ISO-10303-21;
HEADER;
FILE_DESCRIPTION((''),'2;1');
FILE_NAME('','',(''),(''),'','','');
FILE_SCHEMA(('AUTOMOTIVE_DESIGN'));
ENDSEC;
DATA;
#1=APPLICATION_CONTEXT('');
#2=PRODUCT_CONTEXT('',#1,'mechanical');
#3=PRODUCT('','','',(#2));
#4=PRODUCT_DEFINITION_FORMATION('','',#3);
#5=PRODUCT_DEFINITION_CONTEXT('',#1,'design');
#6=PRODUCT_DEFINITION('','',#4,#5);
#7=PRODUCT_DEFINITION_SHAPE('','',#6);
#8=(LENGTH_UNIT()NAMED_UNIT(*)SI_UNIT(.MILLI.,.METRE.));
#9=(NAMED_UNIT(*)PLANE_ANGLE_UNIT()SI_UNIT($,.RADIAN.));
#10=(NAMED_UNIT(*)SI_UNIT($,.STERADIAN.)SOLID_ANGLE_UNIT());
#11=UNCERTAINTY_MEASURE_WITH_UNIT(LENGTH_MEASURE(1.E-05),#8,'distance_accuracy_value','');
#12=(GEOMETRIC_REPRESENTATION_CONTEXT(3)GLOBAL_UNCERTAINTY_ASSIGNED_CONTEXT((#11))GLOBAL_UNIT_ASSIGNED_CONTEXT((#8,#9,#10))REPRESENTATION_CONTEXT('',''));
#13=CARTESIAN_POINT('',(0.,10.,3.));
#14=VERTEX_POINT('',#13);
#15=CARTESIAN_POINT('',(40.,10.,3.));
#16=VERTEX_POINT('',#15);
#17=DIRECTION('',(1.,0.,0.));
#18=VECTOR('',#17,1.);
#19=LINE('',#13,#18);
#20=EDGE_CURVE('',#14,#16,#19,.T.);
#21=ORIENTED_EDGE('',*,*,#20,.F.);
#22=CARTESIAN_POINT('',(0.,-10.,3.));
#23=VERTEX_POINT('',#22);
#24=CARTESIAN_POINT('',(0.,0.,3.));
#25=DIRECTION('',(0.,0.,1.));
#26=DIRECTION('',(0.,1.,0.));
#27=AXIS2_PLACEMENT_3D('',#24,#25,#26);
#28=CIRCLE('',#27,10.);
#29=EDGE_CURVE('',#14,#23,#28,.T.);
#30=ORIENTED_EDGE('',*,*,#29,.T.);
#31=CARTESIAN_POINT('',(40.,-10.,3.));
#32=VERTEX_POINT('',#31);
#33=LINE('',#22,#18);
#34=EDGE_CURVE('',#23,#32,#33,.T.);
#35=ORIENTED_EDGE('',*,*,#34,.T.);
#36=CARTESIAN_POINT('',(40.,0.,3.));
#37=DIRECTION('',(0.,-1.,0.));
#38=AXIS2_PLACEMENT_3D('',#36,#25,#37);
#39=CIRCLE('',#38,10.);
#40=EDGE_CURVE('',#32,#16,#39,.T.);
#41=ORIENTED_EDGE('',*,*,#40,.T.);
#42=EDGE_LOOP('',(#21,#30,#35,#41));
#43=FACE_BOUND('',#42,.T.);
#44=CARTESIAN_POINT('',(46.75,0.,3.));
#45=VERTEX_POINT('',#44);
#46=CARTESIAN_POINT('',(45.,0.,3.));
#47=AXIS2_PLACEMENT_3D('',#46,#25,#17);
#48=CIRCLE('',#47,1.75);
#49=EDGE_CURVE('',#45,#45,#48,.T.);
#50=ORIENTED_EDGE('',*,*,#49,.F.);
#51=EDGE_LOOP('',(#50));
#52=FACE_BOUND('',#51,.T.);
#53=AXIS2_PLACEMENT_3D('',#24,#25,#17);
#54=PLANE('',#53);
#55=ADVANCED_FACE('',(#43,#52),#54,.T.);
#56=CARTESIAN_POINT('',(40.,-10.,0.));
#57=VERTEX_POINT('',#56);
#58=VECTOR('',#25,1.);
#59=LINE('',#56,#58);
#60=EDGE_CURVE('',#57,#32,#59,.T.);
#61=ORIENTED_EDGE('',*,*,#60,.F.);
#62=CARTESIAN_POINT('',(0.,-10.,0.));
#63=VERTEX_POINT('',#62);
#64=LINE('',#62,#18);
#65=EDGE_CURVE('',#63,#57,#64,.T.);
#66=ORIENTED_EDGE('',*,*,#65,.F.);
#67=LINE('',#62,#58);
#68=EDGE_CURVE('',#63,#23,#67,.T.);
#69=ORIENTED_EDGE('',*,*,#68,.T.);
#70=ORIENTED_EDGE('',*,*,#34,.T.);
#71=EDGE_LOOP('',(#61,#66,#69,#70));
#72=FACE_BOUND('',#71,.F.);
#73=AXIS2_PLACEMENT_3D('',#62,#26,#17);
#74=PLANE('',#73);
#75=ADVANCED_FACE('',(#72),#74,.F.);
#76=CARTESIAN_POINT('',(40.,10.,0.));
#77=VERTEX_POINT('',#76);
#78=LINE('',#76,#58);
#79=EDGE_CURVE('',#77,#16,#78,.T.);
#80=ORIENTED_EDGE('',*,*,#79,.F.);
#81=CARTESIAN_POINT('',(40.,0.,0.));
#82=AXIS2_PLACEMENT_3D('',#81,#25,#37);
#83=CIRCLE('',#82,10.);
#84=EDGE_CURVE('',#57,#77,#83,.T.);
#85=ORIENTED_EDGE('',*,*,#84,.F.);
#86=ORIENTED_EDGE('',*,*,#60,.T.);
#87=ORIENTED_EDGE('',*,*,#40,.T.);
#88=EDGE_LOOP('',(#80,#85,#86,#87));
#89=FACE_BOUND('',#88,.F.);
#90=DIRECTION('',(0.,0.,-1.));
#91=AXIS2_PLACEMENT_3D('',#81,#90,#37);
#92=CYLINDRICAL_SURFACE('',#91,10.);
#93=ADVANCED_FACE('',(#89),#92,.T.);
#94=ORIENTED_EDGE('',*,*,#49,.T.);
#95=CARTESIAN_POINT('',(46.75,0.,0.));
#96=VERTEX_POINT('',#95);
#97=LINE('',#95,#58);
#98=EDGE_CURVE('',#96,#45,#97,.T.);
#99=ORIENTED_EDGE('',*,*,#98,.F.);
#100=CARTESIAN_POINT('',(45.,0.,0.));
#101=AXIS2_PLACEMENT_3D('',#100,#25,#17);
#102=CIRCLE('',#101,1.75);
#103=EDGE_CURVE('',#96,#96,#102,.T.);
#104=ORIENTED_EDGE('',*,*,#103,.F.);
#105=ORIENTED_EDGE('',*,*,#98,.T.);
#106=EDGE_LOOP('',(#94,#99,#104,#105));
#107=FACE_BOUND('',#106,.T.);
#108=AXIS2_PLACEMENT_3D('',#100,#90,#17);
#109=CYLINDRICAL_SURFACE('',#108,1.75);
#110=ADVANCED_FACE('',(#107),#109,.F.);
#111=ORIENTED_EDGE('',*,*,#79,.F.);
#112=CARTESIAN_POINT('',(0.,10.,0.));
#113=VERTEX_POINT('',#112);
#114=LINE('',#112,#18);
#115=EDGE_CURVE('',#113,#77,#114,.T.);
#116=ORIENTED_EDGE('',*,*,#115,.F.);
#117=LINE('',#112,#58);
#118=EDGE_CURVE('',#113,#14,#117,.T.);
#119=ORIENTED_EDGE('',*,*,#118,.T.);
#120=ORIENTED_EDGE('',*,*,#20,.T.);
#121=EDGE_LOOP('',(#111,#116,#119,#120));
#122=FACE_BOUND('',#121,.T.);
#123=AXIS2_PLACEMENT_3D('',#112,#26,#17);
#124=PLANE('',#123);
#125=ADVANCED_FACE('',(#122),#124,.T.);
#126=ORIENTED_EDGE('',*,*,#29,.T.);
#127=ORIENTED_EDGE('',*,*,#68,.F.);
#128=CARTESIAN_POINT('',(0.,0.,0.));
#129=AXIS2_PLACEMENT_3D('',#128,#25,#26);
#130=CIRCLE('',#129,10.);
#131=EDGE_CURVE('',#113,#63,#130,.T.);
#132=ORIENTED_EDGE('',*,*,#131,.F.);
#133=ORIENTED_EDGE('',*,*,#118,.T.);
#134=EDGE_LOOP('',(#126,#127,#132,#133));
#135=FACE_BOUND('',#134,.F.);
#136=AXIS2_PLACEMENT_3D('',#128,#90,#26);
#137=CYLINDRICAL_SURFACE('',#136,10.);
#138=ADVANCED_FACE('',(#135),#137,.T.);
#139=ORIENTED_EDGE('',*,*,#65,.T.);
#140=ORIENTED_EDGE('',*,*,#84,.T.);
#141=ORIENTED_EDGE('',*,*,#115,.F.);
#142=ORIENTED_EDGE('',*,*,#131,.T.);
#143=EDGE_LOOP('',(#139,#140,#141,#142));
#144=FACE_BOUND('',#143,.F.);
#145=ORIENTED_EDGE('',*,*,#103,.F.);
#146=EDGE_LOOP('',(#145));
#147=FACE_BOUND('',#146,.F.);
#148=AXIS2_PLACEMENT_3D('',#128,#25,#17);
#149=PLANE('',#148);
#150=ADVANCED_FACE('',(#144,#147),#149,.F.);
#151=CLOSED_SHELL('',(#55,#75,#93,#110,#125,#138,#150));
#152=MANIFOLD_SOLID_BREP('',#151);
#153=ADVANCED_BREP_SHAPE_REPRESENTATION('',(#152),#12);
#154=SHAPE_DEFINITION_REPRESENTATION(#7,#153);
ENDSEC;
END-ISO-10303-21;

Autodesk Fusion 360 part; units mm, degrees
sketch "Sketch1" plane through (0, 0, 0) normal (0, 0, 1) x (1, 0, 0)
  line L0 (0, 0) -> (40, 0) construction
  line L1 (0, 10) -> (40, 10)
  line L2 (0, -10) -> (40, -10)
  arc A0 (0, 10) -> (0, -10) centre (0, 0) ccw
  arc A1 (40, -10) -> (40, 10) centre (40, 0) ccw
  circle A2 centre (45, 0) radius 1.75
  line L3 (50, 9.724) -> (50, -11.0876) construction
  dimension "d1" = 20
  dimension "d2" = 20
  dimension "d3" = 40
  dimension "d4" = 3.5
  dimension "d5" = 5
extrude "Extrude1" add sketch "Sketch1" along normal blind 3
sketch "DXF_outline" plane through (0, 0, 3) normal (0, 0, 1) x (-1, 0, 0)
  circle A0 centre (-45, 0) radius 1.75
  arc A1 (0, -10) -> (0, 10) centre (0, 0) ccw
  line L0 (0, 10) -> (-40, 10)
  arc A2 (-40, 10) -> (-40, -10) centre (-40, 0) ccw
  line L1 (-40, -10) -> (0, -10)
equation "d1 = width"
equation "d2 = d1"
equation "d3 = length"
equation "d4 = keyhole"
equation "d5 = d4 + 1.5 mm"
equation "width = 20 mm" comment "Width"
equation "length = 40 mm" comment "Overall length"
equation "keyhole = 3.5 mm" comment "Key hole diameter"
